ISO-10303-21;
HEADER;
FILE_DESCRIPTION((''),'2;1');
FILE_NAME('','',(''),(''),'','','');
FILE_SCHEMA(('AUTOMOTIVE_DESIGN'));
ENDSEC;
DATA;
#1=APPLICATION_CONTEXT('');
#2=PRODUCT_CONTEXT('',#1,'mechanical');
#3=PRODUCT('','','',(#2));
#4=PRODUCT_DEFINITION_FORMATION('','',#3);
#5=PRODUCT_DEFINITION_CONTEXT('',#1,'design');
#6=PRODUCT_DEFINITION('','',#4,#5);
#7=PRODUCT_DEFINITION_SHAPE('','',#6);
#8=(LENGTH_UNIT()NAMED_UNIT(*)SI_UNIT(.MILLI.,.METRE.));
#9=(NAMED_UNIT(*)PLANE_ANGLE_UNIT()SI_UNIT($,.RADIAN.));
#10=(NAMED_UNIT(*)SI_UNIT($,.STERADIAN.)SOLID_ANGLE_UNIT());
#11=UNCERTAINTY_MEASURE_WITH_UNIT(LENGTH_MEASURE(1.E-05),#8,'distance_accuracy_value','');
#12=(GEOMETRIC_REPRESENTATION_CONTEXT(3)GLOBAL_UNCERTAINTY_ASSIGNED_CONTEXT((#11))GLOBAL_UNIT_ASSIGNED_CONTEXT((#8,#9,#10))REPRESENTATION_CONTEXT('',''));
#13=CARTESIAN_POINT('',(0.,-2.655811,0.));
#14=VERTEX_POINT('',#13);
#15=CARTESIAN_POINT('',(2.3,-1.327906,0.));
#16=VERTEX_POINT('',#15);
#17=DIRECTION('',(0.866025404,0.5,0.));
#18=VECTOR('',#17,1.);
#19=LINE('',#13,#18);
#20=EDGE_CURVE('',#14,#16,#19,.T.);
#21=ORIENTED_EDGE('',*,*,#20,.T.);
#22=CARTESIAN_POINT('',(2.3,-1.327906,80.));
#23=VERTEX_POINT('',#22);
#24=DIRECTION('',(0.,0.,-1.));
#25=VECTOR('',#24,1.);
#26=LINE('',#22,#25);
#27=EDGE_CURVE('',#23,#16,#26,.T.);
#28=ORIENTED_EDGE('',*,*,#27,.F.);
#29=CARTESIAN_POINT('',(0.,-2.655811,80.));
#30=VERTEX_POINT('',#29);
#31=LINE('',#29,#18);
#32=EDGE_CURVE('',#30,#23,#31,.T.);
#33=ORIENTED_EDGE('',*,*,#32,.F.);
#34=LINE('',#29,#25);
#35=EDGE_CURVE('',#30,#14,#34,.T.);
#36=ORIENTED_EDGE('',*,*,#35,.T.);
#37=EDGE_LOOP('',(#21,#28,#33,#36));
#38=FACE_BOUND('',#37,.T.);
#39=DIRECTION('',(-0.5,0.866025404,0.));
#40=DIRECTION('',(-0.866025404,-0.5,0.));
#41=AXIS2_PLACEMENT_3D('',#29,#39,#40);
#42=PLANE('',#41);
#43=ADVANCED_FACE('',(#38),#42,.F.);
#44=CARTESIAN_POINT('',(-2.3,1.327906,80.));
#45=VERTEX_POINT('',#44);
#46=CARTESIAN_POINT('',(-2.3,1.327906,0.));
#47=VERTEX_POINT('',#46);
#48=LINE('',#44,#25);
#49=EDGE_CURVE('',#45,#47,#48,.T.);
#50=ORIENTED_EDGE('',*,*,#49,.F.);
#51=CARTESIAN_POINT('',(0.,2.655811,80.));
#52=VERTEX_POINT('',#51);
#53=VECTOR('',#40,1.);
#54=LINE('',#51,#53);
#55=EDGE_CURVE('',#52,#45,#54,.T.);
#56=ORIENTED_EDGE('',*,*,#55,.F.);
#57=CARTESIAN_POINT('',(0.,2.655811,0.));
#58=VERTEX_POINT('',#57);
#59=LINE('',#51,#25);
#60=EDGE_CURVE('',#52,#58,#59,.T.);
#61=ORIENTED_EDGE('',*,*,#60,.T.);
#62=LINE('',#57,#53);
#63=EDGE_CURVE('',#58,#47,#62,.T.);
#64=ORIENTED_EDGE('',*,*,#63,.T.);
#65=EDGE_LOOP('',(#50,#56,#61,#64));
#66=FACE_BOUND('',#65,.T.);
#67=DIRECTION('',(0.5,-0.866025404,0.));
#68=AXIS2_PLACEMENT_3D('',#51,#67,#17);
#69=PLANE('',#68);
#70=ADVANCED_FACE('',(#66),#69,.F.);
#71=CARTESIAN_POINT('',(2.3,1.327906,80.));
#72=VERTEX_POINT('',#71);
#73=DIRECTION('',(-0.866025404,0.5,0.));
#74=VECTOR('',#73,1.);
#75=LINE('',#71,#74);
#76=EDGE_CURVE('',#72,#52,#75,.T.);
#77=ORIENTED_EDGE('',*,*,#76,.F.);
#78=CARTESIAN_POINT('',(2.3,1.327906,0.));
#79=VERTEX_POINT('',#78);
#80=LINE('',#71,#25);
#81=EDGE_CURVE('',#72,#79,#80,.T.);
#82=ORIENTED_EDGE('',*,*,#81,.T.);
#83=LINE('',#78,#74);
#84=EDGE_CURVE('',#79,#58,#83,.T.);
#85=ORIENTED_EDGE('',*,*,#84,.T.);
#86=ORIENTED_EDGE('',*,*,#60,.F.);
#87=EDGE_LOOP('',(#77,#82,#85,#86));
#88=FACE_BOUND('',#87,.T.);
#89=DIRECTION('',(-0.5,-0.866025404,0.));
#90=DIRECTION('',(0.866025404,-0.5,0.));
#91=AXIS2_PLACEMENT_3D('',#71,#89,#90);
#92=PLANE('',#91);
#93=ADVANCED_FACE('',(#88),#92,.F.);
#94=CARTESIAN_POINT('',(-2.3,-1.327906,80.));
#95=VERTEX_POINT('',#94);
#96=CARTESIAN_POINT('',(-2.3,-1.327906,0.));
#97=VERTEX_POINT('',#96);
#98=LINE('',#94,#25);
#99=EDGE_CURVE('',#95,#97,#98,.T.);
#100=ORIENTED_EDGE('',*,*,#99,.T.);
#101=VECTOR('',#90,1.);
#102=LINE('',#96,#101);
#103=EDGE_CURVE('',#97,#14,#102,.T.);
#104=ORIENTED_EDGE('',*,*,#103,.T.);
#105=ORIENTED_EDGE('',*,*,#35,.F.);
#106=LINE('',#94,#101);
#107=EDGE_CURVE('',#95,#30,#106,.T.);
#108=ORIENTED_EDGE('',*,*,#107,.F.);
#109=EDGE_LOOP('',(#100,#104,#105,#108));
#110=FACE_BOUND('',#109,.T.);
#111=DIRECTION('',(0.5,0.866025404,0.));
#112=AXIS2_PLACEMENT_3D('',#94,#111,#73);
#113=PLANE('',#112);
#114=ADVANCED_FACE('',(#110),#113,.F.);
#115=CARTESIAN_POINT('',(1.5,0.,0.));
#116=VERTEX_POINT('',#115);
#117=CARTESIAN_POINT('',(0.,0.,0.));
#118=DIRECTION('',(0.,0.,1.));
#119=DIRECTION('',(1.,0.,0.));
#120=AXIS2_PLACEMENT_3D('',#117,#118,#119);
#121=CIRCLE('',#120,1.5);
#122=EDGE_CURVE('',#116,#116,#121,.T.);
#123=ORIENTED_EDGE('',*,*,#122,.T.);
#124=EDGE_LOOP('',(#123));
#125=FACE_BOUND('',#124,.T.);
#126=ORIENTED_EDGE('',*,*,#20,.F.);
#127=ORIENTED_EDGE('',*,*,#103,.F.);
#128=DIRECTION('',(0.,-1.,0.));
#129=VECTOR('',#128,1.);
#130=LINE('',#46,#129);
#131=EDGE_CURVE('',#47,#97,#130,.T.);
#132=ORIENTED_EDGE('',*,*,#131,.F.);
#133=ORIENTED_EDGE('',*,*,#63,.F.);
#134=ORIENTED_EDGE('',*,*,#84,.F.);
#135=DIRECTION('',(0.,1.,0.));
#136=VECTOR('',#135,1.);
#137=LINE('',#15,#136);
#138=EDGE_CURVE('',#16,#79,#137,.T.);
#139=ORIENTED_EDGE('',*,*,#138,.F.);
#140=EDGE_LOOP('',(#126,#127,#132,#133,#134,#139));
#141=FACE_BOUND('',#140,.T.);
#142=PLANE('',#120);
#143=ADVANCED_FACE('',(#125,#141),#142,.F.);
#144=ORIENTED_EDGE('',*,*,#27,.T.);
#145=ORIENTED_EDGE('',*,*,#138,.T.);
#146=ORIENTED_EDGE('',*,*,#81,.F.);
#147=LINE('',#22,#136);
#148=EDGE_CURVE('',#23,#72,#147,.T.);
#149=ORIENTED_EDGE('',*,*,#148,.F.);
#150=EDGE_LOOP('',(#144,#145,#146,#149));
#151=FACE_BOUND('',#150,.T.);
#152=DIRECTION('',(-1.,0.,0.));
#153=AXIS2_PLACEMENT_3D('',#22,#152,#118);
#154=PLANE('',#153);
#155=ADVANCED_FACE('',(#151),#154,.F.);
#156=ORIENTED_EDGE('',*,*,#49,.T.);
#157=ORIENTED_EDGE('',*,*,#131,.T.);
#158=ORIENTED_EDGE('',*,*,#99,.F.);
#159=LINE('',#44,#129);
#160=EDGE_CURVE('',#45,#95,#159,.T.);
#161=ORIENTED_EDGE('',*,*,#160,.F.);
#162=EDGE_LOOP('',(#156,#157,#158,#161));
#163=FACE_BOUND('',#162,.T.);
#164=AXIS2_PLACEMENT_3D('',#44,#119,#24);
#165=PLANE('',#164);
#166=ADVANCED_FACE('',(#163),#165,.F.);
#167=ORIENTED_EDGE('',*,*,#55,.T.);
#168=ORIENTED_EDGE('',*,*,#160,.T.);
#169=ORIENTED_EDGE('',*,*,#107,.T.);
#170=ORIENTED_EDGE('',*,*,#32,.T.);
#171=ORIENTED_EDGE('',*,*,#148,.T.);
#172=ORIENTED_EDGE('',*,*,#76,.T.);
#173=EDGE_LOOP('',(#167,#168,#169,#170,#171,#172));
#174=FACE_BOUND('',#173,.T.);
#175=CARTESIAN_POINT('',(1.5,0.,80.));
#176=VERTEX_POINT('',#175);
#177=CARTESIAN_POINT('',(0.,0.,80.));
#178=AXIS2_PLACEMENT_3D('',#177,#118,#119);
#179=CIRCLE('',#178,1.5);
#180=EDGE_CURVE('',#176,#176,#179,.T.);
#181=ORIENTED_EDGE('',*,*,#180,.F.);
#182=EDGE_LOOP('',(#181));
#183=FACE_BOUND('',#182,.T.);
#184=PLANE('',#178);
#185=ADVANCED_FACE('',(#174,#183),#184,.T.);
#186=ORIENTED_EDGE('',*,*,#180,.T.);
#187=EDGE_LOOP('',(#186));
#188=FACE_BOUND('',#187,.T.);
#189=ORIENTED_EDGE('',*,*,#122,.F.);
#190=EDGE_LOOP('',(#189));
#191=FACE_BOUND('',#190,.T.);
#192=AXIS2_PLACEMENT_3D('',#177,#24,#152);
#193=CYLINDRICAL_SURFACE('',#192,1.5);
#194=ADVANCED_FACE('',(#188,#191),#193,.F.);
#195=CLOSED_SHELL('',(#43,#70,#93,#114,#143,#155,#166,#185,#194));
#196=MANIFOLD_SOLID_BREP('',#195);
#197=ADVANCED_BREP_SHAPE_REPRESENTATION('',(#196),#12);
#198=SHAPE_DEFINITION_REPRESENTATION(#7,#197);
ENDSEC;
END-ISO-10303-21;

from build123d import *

# Parameters (mm, degrees)
SKETCH_1_R      = 1.5
EXTRUDE_1_DEPTH = 80


with BuildPart() as part:
    # 草图1 → 凸台-拉伸1 (new body)
    with BuildSketch(Plane.XY):
        Polygon((0, 2.655811238), (-2.3, 1.327905619), (-2.3, -1.327905619), (0, -2.655811238), (2.3, -1.327905619), (2.3, 1.327905619), align=None)
        Circle(SKETCH_1_R, mode=Mode.SUBTRACT)
    extrude(amount=EXTRUDE_1_DEPTH)


solid = part.part
